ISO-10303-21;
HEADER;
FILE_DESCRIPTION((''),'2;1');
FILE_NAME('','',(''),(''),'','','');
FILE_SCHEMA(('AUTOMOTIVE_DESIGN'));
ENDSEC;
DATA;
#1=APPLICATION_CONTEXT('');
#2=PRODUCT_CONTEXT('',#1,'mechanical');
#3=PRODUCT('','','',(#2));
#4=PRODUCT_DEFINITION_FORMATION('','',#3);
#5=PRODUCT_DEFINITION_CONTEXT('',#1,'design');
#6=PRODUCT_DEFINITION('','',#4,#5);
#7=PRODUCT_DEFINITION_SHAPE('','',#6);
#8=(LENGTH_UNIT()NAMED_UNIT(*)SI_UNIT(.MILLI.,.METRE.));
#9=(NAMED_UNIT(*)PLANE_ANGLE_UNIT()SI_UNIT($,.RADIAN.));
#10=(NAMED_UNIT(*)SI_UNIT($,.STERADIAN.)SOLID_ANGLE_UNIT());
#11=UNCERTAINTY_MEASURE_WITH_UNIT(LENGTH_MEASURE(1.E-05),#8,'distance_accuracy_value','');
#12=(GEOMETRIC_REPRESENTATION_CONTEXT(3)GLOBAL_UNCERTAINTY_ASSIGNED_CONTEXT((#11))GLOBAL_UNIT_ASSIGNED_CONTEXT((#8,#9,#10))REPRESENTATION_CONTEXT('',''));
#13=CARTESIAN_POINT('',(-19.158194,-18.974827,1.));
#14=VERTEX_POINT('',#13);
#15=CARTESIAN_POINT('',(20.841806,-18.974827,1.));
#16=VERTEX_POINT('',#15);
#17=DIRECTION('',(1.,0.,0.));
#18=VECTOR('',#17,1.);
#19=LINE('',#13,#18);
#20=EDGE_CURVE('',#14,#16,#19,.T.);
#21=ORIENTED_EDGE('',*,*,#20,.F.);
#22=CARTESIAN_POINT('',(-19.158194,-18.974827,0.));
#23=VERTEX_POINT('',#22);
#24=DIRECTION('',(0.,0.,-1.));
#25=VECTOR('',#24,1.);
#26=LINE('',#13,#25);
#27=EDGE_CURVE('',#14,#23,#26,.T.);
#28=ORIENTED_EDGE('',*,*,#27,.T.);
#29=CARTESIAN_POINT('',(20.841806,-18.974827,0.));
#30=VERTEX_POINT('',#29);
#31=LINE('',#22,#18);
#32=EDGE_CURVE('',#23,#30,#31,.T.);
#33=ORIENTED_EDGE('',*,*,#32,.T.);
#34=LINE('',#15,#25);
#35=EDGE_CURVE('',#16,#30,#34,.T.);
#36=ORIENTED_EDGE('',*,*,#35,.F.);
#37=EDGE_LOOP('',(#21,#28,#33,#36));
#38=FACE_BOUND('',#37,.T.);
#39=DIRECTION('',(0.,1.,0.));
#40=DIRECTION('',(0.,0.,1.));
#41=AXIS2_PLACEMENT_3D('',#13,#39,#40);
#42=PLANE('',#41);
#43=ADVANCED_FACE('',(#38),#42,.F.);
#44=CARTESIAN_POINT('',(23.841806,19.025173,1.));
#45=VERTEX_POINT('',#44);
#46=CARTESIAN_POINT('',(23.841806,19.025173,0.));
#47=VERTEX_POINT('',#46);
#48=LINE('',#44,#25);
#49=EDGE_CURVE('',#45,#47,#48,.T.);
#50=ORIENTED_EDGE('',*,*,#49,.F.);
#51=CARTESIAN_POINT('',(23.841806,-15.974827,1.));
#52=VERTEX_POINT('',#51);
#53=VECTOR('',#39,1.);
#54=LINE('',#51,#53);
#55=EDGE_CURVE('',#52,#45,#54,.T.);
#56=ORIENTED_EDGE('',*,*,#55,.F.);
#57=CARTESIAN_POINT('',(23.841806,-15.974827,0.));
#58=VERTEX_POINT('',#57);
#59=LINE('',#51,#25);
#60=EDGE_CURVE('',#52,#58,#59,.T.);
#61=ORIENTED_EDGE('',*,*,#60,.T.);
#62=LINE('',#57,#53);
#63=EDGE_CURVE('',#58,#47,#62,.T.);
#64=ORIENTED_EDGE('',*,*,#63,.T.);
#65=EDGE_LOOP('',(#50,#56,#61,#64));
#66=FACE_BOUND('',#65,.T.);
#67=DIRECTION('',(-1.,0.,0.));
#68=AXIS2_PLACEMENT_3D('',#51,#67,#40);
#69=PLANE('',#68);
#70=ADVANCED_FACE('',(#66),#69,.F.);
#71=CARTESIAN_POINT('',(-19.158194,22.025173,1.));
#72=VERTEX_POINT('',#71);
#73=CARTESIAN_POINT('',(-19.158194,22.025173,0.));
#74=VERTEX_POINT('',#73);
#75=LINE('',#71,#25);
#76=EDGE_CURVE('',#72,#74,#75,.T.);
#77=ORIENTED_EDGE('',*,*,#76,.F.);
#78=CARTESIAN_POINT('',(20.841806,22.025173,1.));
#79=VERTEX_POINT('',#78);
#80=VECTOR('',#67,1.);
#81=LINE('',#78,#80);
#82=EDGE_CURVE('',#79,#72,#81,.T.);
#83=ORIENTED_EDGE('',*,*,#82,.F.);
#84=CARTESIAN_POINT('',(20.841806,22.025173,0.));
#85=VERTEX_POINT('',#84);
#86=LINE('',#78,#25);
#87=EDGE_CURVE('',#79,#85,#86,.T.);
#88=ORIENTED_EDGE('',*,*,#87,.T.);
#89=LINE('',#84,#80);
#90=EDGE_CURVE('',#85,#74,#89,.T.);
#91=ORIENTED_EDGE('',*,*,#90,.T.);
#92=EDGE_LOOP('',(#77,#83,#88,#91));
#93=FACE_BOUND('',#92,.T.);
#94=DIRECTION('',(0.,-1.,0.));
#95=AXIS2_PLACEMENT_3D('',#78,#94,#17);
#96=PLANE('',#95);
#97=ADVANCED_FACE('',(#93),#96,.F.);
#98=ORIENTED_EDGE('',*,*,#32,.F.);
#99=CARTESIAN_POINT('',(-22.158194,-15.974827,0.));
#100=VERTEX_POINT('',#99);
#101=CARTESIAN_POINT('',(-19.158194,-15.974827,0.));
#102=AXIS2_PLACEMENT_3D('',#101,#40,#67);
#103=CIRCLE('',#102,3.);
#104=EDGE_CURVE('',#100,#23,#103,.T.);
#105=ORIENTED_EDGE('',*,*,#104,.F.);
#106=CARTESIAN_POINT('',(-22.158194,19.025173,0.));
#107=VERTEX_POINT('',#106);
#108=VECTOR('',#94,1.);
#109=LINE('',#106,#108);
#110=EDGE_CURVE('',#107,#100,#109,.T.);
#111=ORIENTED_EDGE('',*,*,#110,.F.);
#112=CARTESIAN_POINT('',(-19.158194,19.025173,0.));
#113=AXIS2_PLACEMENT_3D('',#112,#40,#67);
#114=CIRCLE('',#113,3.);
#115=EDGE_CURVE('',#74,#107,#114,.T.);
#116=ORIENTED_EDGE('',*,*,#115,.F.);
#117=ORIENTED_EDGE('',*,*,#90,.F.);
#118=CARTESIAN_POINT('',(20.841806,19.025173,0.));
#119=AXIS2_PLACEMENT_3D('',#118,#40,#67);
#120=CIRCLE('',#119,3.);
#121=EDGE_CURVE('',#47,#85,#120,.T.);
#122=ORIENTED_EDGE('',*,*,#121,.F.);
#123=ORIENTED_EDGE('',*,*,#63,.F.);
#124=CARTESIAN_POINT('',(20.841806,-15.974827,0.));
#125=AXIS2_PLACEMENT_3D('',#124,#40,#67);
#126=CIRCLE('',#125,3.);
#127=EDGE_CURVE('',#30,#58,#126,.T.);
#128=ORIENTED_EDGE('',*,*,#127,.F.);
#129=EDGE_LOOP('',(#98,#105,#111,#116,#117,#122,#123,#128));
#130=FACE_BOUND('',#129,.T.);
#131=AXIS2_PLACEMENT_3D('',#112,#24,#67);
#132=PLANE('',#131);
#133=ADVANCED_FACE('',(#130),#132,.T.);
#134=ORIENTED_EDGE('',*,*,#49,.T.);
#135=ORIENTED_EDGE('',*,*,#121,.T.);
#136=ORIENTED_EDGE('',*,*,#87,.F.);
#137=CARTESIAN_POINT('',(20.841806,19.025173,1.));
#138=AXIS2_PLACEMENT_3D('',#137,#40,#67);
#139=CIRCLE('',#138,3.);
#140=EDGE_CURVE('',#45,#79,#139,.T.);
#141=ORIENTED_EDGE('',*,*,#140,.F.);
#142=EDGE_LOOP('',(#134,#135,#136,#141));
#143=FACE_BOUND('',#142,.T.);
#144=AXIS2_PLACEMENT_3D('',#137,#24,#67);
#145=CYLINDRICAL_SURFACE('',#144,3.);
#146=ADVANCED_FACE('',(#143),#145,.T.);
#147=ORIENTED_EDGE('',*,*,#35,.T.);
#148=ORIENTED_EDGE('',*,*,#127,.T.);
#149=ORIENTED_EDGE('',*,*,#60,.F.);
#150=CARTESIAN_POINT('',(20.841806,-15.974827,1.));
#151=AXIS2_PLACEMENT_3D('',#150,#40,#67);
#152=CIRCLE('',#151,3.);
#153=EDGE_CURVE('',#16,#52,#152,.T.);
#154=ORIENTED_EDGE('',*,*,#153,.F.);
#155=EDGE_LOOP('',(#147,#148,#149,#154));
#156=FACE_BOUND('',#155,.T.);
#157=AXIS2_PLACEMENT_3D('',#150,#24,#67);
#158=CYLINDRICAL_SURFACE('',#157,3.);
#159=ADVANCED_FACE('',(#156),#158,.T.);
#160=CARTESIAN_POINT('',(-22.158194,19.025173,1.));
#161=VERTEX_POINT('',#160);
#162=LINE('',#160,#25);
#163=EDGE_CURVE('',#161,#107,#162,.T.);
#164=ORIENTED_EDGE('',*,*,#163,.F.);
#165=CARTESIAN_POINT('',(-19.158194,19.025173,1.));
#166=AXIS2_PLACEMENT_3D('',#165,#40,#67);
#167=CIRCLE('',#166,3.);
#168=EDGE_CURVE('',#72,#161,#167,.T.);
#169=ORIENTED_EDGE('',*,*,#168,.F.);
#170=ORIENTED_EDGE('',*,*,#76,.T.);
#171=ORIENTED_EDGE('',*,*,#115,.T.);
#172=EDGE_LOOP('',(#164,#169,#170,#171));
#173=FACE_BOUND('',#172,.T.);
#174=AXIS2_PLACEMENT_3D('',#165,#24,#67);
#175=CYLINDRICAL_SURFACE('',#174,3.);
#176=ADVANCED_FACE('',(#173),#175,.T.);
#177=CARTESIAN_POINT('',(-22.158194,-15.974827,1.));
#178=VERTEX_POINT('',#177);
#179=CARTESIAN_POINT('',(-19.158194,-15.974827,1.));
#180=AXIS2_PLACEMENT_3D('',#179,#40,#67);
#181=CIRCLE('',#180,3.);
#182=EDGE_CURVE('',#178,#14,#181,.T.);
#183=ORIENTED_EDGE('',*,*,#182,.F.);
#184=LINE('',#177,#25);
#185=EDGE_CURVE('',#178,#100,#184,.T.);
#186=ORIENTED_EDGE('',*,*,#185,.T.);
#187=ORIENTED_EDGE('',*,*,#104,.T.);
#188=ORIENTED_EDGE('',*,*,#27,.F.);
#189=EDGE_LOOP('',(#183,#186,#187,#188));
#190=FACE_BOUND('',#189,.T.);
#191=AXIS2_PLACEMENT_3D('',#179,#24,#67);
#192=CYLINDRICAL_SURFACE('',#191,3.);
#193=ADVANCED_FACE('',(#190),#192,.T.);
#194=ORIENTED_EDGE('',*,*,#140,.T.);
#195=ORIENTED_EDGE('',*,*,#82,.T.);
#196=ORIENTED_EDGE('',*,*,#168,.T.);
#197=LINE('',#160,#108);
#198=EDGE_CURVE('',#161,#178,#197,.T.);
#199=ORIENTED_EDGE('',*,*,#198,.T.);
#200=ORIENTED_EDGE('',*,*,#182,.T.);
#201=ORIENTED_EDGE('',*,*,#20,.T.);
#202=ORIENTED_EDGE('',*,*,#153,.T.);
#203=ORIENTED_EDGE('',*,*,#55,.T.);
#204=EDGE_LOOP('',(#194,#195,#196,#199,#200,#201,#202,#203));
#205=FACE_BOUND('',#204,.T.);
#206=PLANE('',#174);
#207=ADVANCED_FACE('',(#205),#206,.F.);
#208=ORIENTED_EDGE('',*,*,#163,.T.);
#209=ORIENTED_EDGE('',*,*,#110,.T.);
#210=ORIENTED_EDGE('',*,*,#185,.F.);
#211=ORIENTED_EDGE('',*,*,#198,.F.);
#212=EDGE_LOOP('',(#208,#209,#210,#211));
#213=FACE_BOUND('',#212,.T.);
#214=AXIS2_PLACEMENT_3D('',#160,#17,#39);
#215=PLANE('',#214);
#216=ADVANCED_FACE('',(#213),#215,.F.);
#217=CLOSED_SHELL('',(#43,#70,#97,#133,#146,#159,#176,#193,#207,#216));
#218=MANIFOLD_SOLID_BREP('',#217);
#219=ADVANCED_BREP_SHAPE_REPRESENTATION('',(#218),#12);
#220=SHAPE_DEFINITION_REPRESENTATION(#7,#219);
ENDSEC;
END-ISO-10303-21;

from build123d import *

# Parameters (mm, degrees)
RESSALTO_EXTRUS_O1_DEPTH = 1


with BuildPart() as part:
    # Esboço1 → Ressalto-extrusão1 (new body)
    with BuildSketch(Plane.XY):
        with BuildLine():
            Line((-22.158193819, 19.025172981), (-22.158193819, -15.974827019))
            ThreePointArc((-22.158193819, -15.974827019), (-21.279514162, -18.096147362), (-19.158193819, -18.974827019))
            Line((-19.158193819, -18.974827019), (20.841806181, -18.974827019))
            ThreePointArc((20.841806181, -18.974827019), (22.963126525, -18.096147362), (23.841806181, -15.974827019))
            Line((23.841806181, -15.974827019), (23.841806181, 19.025172981))
            ThreePointArc((23.841806181, 19.025172981), (22.963126525, 21.146493325), (20.841806181, 22.025172981))
            Line((20.841806181, 22.025172981), (-19.158193819, 22.025172981))
            ThreePointArc((-19.158193819, 22.025172981), (-21.279514162, 21.146493325), (-22.158193819, 19.025172981))
        make_face()
    extrude(amount=RESSALTO_EXTRUS_O1_DEPTH)


solid = part.part
